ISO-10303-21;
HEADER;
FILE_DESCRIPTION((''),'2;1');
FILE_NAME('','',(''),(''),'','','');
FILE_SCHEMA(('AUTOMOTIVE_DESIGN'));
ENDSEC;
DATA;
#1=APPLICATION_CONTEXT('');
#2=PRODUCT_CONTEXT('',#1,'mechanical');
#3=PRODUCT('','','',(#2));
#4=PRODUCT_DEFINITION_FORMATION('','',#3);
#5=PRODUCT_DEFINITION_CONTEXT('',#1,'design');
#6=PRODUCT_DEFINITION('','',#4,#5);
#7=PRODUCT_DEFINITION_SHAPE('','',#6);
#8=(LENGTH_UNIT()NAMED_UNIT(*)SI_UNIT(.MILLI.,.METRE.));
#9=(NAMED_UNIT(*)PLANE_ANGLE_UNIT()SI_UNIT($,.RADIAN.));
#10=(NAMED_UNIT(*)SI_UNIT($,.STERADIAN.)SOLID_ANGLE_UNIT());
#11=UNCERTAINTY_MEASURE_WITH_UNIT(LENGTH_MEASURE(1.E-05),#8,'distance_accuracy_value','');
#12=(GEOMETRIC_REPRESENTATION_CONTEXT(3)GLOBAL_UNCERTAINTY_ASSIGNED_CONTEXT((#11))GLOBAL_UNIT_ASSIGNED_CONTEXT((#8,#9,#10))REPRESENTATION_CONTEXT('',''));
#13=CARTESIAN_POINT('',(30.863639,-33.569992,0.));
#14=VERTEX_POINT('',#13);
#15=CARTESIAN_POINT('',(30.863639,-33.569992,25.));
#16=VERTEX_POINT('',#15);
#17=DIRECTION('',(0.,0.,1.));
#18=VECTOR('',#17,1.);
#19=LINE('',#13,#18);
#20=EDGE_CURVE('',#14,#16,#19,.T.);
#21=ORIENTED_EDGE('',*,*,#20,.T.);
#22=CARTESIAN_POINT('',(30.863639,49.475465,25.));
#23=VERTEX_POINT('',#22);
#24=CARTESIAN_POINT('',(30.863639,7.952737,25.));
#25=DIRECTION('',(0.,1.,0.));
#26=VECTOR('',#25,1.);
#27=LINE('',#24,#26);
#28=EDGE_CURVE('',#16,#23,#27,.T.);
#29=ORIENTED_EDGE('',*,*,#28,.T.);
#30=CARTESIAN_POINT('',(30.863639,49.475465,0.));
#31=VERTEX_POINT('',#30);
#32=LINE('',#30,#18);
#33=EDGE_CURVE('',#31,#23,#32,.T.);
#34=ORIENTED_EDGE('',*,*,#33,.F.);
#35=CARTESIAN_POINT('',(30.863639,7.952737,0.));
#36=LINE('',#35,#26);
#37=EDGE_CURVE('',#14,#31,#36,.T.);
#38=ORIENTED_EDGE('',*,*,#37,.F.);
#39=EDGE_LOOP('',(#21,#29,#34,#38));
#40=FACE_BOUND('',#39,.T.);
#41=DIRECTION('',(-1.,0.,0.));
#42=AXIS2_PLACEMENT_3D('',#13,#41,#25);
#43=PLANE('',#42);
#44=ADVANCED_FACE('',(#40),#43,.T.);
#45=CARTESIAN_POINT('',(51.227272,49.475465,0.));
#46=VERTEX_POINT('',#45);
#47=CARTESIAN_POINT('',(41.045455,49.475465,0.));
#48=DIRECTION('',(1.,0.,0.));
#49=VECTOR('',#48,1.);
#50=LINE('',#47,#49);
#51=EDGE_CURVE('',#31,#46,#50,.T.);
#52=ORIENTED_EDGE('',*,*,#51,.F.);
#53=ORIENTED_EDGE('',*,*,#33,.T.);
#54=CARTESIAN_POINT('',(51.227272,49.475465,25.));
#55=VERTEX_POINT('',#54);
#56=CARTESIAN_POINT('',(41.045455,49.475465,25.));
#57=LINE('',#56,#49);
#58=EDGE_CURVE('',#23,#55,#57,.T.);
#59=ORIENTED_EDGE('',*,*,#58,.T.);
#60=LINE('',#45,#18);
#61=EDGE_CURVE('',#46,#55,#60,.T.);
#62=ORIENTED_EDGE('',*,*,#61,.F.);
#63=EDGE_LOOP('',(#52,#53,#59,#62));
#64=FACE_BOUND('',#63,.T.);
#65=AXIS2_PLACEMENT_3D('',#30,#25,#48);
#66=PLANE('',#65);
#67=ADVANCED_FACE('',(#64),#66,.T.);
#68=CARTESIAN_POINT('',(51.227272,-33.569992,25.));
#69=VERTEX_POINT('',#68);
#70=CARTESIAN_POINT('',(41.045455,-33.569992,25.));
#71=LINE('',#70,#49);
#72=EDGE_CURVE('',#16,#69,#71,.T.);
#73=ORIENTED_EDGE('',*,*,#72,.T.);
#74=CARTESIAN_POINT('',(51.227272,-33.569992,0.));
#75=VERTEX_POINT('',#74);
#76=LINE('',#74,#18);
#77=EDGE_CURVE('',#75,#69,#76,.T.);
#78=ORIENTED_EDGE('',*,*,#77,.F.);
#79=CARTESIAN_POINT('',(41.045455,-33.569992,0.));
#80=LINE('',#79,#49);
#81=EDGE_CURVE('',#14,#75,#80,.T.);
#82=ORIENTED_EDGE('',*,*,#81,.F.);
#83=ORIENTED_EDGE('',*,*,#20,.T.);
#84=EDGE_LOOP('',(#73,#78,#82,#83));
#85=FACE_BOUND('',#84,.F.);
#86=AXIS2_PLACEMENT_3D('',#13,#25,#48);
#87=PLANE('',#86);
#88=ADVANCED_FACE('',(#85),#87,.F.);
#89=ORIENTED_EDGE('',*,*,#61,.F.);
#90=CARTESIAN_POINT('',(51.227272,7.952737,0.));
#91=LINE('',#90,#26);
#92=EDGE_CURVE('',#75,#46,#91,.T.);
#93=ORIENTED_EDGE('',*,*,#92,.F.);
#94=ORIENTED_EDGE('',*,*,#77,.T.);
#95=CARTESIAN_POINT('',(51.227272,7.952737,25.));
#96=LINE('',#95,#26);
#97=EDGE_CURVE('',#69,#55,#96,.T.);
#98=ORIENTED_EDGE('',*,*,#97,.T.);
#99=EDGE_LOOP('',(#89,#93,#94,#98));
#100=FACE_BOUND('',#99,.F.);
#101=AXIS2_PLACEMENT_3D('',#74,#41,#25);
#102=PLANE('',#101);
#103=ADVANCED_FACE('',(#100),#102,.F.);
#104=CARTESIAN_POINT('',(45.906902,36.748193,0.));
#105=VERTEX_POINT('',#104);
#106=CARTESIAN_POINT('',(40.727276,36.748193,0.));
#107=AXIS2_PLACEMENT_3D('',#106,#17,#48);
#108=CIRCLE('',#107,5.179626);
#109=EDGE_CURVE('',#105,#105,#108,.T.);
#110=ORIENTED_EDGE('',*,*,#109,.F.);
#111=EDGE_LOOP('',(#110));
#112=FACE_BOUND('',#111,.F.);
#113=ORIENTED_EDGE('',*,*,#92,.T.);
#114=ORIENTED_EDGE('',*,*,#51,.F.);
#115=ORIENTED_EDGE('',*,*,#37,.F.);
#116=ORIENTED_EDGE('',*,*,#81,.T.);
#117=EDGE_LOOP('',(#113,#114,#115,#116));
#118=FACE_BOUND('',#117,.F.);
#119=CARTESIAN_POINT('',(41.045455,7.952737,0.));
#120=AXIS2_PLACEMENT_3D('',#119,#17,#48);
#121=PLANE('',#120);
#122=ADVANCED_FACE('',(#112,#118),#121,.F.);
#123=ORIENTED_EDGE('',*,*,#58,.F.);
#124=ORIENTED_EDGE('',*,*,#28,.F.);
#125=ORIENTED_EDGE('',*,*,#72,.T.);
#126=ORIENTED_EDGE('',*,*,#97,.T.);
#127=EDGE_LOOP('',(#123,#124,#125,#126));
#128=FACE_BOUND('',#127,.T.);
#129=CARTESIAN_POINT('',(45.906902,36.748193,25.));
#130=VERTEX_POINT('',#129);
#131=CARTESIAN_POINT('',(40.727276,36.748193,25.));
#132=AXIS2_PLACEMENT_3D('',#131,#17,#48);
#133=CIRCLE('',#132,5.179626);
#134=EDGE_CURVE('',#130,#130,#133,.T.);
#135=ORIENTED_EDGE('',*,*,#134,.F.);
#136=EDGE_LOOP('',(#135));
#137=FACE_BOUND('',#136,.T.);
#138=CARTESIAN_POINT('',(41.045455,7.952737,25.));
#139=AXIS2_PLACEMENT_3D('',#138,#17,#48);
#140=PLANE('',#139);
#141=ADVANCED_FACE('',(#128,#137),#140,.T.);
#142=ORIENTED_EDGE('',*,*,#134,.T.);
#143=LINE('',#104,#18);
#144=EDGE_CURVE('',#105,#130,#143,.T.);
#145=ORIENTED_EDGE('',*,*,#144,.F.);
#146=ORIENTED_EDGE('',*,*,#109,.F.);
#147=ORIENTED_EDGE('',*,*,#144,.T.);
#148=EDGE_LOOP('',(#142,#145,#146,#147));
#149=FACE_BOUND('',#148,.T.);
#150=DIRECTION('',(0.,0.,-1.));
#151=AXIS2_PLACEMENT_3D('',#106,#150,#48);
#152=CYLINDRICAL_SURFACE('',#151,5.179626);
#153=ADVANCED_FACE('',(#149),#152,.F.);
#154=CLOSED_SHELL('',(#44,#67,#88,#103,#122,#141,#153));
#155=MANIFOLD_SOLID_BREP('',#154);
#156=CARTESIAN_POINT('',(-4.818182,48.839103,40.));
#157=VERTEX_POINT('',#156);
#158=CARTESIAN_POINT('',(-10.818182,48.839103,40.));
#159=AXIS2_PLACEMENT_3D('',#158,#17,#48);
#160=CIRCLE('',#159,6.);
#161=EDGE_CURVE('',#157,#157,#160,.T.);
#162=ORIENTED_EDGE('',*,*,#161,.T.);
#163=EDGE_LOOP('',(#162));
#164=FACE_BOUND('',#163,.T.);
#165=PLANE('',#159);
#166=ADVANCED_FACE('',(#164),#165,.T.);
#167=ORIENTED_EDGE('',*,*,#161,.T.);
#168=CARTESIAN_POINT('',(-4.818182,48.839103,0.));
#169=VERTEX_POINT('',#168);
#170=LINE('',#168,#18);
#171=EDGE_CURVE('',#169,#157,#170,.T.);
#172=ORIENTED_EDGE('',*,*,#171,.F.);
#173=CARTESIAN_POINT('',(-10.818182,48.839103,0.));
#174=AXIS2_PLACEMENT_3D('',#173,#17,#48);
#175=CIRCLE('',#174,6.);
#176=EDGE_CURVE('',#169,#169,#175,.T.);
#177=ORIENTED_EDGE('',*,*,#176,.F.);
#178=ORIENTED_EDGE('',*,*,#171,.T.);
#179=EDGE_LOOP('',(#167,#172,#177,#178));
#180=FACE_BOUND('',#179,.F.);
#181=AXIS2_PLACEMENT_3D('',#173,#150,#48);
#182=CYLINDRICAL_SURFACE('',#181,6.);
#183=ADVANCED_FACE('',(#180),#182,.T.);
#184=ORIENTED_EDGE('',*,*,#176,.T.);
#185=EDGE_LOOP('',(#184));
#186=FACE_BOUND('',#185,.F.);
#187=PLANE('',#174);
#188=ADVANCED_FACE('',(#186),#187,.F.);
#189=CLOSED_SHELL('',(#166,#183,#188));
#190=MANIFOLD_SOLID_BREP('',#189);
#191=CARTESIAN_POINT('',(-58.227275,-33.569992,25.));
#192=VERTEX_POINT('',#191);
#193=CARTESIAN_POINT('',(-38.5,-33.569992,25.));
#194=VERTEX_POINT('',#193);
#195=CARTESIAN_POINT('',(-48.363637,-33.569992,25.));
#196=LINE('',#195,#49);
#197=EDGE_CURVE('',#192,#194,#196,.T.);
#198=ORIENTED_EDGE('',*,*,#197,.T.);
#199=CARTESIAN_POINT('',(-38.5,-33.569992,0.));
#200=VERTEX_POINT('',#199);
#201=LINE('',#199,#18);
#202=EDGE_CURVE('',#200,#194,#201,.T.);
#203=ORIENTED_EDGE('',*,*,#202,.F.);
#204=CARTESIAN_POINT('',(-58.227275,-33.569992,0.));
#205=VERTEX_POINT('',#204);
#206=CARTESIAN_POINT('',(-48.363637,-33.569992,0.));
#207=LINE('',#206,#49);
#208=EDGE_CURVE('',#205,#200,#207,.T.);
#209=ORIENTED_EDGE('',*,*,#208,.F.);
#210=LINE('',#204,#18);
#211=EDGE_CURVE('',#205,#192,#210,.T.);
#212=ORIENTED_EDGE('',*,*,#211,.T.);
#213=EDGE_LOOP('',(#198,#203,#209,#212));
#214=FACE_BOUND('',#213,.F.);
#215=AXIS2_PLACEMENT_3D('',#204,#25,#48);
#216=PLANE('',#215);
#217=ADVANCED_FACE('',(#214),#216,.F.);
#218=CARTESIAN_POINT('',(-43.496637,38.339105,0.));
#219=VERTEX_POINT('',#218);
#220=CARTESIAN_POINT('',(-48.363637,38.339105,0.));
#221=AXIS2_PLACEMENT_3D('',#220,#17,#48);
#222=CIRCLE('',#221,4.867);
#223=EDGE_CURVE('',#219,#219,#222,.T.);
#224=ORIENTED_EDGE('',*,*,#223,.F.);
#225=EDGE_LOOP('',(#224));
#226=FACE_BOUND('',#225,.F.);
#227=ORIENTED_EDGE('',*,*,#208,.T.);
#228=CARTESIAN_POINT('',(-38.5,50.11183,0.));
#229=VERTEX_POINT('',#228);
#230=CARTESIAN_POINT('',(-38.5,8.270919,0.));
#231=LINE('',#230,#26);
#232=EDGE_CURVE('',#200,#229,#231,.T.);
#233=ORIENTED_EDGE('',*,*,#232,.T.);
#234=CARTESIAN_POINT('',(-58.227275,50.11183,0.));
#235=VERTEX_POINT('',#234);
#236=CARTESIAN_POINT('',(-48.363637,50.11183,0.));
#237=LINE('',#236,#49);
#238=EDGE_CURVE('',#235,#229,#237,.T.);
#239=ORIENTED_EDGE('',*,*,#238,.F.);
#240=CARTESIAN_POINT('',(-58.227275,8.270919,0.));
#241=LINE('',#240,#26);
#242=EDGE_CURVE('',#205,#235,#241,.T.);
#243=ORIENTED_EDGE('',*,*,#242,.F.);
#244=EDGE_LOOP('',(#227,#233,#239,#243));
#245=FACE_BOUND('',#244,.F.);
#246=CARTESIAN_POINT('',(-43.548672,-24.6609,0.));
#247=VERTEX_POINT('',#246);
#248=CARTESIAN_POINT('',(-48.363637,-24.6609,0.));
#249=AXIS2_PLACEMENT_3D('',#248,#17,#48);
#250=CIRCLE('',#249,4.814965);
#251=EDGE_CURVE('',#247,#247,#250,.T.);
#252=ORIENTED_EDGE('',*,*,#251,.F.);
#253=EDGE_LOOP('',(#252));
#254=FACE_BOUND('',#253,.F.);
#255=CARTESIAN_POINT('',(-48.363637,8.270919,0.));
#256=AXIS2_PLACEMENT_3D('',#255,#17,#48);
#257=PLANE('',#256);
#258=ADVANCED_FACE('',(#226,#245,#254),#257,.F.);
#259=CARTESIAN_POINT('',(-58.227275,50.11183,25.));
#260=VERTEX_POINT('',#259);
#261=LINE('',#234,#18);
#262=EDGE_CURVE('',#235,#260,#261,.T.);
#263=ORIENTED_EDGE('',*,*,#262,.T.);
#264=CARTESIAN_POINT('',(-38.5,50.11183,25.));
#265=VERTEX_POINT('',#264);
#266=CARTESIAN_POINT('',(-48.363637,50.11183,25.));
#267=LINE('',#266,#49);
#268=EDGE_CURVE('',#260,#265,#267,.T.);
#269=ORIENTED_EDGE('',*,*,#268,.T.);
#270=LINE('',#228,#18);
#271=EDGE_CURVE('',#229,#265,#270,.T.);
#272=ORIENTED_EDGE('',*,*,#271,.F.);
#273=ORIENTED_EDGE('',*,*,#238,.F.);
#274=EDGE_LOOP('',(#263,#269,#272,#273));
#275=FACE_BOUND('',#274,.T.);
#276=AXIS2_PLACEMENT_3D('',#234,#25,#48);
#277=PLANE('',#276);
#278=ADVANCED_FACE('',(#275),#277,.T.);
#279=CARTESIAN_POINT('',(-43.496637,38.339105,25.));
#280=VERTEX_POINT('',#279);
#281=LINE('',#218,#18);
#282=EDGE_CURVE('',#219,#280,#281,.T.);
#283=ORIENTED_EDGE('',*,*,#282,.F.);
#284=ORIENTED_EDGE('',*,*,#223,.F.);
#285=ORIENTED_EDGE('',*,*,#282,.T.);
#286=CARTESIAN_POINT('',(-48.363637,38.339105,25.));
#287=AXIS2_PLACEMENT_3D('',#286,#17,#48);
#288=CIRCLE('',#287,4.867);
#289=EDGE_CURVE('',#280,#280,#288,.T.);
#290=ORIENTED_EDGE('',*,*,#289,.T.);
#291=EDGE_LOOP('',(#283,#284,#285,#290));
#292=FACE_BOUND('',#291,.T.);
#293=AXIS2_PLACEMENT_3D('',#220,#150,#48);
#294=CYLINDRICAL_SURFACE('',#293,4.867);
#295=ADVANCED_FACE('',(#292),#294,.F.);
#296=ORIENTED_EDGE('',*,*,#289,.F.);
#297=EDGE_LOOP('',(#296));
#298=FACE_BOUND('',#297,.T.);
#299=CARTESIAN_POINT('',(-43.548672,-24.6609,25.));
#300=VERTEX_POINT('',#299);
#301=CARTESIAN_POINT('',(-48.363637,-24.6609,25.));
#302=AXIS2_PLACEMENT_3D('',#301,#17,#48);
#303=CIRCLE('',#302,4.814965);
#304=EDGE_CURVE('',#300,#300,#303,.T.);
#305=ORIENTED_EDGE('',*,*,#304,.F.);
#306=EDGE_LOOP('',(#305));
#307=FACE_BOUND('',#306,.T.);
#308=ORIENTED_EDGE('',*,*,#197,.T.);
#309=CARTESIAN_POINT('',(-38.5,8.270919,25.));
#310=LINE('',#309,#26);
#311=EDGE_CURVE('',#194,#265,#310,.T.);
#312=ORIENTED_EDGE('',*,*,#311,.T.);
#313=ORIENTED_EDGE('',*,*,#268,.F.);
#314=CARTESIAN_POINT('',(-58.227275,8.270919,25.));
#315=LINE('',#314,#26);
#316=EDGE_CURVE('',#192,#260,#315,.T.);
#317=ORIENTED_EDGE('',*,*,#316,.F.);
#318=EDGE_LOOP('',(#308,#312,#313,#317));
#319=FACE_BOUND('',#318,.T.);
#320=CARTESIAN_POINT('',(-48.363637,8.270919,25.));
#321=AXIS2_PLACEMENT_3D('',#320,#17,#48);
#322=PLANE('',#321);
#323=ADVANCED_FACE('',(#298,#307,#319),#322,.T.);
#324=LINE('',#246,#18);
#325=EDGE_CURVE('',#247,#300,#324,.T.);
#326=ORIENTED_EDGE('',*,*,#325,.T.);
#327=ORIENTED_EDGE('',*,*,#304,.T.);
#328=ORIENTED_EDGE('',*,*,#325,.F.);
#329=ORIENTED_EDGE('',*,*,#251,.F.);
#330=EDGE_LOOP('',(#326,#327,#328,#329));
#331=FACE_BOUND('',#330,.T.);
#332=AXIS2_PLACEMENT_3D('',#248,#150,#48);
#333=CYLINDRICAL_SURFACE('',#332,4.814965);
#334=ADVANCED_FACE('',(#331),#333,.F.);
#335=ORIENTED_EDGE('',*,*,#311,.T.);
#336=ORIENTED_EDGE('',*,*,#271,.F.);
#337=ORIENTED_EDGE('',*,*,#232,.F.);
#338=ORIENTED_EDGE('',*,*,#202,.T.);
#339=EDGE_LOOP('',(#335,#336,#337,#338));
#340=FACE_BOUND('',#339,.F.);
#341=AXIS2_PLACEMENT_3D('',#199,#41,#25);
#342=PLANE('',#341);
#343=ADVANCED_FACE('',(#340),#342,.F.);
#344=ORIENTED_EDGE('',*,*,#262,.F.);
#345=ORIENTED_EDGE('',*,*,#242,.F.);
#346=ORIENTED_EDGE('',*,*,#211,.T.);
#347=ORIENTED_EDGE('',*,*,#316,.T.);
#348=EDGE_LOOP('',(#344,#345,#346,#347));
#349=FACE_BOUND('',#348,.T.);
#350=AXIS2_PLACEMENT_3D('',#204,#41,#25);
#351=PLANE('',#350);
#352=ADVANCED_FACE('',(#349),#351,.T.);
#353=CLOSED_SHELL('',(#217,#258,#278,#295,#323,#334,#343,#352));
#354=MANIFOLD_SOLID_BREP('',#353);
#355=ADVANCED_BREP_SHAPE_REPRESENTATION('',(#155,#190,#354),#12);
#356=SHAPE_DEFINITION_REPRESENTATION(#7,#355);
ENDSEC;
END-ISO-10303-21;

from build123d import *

# Parameters (mm, degrees)
F0_W     = 20.3636325896
F0_H     = 83.0454565585
F0_R     = 5.1796259742
F2_DEPTH = 25
F0_W_2   = 19.7272747755
F0_H_2   = 83.6818218231
F0_R_2   = 4.8149653707
F0_R_3   = 4.867
F1_R     = 6
F3_DEPTH = 40
F4_DEPTH = 25


with BuildPart() as f2:
    # F0 (on Top) → F2 (new body)
    with BuildSketch(Plane.XY):
        with Locations((41.0454552621, 7.9527366906)):
            Rectangle(F0_W, F0_H)
        with Locations((40.727276355, 36.7481932044)):
            Circle(F0_R, mode=Mode.SUBTRACT)
    extrude(amount=F2_DEPTH)

    # F0 (on Top) → F4 (cut, symmetric)
    with BuildSketch(Plane.XY):
        with Locations((-48.3636371791, 38.3391045034)):
            Circle(F0_R_3)
        with Locations((-48.3636371791, -24.6609002352)):
            Circle(F0_R_2)
        with Locations((40.727276355, 36.7481932044)):
            Circle(F0_R)
    extrude(amount=F4_DEPTH, both=True, mode=Mode.SUBTRACT)


with BuildPart() as f2b:
    # F0 (on Top) → F2, piece 2 (new body)
    with BuildSketch(Plane.XY):
        with Locations((-48.3636371791, 8.270919323)):
            Rectangle(F0_W_2, F0_H_2)
        with Locations((-48.3636371791, -24.6609002352)):
            Circle(F0_R_2, mode=Mode.SUBTRACT)
        with Locations((-48.3636371791, 38.3391045034)):
            Circle(F0_R_3, mode=Mode.SUBTRACT)
    extrude(amount=F2_DEPTH)


with BuildPart() as f3:
    # F1 (on Top) → F3 (new body)
    with BuildSketch(Plane.XY):
        with Locations((-10.8181824908, 48.8391034305)):
            Circle(F1_R)
    extrude(amount=F3_DEPTH)


solid = Compound([f2.part, f2b.part, f3.part])
